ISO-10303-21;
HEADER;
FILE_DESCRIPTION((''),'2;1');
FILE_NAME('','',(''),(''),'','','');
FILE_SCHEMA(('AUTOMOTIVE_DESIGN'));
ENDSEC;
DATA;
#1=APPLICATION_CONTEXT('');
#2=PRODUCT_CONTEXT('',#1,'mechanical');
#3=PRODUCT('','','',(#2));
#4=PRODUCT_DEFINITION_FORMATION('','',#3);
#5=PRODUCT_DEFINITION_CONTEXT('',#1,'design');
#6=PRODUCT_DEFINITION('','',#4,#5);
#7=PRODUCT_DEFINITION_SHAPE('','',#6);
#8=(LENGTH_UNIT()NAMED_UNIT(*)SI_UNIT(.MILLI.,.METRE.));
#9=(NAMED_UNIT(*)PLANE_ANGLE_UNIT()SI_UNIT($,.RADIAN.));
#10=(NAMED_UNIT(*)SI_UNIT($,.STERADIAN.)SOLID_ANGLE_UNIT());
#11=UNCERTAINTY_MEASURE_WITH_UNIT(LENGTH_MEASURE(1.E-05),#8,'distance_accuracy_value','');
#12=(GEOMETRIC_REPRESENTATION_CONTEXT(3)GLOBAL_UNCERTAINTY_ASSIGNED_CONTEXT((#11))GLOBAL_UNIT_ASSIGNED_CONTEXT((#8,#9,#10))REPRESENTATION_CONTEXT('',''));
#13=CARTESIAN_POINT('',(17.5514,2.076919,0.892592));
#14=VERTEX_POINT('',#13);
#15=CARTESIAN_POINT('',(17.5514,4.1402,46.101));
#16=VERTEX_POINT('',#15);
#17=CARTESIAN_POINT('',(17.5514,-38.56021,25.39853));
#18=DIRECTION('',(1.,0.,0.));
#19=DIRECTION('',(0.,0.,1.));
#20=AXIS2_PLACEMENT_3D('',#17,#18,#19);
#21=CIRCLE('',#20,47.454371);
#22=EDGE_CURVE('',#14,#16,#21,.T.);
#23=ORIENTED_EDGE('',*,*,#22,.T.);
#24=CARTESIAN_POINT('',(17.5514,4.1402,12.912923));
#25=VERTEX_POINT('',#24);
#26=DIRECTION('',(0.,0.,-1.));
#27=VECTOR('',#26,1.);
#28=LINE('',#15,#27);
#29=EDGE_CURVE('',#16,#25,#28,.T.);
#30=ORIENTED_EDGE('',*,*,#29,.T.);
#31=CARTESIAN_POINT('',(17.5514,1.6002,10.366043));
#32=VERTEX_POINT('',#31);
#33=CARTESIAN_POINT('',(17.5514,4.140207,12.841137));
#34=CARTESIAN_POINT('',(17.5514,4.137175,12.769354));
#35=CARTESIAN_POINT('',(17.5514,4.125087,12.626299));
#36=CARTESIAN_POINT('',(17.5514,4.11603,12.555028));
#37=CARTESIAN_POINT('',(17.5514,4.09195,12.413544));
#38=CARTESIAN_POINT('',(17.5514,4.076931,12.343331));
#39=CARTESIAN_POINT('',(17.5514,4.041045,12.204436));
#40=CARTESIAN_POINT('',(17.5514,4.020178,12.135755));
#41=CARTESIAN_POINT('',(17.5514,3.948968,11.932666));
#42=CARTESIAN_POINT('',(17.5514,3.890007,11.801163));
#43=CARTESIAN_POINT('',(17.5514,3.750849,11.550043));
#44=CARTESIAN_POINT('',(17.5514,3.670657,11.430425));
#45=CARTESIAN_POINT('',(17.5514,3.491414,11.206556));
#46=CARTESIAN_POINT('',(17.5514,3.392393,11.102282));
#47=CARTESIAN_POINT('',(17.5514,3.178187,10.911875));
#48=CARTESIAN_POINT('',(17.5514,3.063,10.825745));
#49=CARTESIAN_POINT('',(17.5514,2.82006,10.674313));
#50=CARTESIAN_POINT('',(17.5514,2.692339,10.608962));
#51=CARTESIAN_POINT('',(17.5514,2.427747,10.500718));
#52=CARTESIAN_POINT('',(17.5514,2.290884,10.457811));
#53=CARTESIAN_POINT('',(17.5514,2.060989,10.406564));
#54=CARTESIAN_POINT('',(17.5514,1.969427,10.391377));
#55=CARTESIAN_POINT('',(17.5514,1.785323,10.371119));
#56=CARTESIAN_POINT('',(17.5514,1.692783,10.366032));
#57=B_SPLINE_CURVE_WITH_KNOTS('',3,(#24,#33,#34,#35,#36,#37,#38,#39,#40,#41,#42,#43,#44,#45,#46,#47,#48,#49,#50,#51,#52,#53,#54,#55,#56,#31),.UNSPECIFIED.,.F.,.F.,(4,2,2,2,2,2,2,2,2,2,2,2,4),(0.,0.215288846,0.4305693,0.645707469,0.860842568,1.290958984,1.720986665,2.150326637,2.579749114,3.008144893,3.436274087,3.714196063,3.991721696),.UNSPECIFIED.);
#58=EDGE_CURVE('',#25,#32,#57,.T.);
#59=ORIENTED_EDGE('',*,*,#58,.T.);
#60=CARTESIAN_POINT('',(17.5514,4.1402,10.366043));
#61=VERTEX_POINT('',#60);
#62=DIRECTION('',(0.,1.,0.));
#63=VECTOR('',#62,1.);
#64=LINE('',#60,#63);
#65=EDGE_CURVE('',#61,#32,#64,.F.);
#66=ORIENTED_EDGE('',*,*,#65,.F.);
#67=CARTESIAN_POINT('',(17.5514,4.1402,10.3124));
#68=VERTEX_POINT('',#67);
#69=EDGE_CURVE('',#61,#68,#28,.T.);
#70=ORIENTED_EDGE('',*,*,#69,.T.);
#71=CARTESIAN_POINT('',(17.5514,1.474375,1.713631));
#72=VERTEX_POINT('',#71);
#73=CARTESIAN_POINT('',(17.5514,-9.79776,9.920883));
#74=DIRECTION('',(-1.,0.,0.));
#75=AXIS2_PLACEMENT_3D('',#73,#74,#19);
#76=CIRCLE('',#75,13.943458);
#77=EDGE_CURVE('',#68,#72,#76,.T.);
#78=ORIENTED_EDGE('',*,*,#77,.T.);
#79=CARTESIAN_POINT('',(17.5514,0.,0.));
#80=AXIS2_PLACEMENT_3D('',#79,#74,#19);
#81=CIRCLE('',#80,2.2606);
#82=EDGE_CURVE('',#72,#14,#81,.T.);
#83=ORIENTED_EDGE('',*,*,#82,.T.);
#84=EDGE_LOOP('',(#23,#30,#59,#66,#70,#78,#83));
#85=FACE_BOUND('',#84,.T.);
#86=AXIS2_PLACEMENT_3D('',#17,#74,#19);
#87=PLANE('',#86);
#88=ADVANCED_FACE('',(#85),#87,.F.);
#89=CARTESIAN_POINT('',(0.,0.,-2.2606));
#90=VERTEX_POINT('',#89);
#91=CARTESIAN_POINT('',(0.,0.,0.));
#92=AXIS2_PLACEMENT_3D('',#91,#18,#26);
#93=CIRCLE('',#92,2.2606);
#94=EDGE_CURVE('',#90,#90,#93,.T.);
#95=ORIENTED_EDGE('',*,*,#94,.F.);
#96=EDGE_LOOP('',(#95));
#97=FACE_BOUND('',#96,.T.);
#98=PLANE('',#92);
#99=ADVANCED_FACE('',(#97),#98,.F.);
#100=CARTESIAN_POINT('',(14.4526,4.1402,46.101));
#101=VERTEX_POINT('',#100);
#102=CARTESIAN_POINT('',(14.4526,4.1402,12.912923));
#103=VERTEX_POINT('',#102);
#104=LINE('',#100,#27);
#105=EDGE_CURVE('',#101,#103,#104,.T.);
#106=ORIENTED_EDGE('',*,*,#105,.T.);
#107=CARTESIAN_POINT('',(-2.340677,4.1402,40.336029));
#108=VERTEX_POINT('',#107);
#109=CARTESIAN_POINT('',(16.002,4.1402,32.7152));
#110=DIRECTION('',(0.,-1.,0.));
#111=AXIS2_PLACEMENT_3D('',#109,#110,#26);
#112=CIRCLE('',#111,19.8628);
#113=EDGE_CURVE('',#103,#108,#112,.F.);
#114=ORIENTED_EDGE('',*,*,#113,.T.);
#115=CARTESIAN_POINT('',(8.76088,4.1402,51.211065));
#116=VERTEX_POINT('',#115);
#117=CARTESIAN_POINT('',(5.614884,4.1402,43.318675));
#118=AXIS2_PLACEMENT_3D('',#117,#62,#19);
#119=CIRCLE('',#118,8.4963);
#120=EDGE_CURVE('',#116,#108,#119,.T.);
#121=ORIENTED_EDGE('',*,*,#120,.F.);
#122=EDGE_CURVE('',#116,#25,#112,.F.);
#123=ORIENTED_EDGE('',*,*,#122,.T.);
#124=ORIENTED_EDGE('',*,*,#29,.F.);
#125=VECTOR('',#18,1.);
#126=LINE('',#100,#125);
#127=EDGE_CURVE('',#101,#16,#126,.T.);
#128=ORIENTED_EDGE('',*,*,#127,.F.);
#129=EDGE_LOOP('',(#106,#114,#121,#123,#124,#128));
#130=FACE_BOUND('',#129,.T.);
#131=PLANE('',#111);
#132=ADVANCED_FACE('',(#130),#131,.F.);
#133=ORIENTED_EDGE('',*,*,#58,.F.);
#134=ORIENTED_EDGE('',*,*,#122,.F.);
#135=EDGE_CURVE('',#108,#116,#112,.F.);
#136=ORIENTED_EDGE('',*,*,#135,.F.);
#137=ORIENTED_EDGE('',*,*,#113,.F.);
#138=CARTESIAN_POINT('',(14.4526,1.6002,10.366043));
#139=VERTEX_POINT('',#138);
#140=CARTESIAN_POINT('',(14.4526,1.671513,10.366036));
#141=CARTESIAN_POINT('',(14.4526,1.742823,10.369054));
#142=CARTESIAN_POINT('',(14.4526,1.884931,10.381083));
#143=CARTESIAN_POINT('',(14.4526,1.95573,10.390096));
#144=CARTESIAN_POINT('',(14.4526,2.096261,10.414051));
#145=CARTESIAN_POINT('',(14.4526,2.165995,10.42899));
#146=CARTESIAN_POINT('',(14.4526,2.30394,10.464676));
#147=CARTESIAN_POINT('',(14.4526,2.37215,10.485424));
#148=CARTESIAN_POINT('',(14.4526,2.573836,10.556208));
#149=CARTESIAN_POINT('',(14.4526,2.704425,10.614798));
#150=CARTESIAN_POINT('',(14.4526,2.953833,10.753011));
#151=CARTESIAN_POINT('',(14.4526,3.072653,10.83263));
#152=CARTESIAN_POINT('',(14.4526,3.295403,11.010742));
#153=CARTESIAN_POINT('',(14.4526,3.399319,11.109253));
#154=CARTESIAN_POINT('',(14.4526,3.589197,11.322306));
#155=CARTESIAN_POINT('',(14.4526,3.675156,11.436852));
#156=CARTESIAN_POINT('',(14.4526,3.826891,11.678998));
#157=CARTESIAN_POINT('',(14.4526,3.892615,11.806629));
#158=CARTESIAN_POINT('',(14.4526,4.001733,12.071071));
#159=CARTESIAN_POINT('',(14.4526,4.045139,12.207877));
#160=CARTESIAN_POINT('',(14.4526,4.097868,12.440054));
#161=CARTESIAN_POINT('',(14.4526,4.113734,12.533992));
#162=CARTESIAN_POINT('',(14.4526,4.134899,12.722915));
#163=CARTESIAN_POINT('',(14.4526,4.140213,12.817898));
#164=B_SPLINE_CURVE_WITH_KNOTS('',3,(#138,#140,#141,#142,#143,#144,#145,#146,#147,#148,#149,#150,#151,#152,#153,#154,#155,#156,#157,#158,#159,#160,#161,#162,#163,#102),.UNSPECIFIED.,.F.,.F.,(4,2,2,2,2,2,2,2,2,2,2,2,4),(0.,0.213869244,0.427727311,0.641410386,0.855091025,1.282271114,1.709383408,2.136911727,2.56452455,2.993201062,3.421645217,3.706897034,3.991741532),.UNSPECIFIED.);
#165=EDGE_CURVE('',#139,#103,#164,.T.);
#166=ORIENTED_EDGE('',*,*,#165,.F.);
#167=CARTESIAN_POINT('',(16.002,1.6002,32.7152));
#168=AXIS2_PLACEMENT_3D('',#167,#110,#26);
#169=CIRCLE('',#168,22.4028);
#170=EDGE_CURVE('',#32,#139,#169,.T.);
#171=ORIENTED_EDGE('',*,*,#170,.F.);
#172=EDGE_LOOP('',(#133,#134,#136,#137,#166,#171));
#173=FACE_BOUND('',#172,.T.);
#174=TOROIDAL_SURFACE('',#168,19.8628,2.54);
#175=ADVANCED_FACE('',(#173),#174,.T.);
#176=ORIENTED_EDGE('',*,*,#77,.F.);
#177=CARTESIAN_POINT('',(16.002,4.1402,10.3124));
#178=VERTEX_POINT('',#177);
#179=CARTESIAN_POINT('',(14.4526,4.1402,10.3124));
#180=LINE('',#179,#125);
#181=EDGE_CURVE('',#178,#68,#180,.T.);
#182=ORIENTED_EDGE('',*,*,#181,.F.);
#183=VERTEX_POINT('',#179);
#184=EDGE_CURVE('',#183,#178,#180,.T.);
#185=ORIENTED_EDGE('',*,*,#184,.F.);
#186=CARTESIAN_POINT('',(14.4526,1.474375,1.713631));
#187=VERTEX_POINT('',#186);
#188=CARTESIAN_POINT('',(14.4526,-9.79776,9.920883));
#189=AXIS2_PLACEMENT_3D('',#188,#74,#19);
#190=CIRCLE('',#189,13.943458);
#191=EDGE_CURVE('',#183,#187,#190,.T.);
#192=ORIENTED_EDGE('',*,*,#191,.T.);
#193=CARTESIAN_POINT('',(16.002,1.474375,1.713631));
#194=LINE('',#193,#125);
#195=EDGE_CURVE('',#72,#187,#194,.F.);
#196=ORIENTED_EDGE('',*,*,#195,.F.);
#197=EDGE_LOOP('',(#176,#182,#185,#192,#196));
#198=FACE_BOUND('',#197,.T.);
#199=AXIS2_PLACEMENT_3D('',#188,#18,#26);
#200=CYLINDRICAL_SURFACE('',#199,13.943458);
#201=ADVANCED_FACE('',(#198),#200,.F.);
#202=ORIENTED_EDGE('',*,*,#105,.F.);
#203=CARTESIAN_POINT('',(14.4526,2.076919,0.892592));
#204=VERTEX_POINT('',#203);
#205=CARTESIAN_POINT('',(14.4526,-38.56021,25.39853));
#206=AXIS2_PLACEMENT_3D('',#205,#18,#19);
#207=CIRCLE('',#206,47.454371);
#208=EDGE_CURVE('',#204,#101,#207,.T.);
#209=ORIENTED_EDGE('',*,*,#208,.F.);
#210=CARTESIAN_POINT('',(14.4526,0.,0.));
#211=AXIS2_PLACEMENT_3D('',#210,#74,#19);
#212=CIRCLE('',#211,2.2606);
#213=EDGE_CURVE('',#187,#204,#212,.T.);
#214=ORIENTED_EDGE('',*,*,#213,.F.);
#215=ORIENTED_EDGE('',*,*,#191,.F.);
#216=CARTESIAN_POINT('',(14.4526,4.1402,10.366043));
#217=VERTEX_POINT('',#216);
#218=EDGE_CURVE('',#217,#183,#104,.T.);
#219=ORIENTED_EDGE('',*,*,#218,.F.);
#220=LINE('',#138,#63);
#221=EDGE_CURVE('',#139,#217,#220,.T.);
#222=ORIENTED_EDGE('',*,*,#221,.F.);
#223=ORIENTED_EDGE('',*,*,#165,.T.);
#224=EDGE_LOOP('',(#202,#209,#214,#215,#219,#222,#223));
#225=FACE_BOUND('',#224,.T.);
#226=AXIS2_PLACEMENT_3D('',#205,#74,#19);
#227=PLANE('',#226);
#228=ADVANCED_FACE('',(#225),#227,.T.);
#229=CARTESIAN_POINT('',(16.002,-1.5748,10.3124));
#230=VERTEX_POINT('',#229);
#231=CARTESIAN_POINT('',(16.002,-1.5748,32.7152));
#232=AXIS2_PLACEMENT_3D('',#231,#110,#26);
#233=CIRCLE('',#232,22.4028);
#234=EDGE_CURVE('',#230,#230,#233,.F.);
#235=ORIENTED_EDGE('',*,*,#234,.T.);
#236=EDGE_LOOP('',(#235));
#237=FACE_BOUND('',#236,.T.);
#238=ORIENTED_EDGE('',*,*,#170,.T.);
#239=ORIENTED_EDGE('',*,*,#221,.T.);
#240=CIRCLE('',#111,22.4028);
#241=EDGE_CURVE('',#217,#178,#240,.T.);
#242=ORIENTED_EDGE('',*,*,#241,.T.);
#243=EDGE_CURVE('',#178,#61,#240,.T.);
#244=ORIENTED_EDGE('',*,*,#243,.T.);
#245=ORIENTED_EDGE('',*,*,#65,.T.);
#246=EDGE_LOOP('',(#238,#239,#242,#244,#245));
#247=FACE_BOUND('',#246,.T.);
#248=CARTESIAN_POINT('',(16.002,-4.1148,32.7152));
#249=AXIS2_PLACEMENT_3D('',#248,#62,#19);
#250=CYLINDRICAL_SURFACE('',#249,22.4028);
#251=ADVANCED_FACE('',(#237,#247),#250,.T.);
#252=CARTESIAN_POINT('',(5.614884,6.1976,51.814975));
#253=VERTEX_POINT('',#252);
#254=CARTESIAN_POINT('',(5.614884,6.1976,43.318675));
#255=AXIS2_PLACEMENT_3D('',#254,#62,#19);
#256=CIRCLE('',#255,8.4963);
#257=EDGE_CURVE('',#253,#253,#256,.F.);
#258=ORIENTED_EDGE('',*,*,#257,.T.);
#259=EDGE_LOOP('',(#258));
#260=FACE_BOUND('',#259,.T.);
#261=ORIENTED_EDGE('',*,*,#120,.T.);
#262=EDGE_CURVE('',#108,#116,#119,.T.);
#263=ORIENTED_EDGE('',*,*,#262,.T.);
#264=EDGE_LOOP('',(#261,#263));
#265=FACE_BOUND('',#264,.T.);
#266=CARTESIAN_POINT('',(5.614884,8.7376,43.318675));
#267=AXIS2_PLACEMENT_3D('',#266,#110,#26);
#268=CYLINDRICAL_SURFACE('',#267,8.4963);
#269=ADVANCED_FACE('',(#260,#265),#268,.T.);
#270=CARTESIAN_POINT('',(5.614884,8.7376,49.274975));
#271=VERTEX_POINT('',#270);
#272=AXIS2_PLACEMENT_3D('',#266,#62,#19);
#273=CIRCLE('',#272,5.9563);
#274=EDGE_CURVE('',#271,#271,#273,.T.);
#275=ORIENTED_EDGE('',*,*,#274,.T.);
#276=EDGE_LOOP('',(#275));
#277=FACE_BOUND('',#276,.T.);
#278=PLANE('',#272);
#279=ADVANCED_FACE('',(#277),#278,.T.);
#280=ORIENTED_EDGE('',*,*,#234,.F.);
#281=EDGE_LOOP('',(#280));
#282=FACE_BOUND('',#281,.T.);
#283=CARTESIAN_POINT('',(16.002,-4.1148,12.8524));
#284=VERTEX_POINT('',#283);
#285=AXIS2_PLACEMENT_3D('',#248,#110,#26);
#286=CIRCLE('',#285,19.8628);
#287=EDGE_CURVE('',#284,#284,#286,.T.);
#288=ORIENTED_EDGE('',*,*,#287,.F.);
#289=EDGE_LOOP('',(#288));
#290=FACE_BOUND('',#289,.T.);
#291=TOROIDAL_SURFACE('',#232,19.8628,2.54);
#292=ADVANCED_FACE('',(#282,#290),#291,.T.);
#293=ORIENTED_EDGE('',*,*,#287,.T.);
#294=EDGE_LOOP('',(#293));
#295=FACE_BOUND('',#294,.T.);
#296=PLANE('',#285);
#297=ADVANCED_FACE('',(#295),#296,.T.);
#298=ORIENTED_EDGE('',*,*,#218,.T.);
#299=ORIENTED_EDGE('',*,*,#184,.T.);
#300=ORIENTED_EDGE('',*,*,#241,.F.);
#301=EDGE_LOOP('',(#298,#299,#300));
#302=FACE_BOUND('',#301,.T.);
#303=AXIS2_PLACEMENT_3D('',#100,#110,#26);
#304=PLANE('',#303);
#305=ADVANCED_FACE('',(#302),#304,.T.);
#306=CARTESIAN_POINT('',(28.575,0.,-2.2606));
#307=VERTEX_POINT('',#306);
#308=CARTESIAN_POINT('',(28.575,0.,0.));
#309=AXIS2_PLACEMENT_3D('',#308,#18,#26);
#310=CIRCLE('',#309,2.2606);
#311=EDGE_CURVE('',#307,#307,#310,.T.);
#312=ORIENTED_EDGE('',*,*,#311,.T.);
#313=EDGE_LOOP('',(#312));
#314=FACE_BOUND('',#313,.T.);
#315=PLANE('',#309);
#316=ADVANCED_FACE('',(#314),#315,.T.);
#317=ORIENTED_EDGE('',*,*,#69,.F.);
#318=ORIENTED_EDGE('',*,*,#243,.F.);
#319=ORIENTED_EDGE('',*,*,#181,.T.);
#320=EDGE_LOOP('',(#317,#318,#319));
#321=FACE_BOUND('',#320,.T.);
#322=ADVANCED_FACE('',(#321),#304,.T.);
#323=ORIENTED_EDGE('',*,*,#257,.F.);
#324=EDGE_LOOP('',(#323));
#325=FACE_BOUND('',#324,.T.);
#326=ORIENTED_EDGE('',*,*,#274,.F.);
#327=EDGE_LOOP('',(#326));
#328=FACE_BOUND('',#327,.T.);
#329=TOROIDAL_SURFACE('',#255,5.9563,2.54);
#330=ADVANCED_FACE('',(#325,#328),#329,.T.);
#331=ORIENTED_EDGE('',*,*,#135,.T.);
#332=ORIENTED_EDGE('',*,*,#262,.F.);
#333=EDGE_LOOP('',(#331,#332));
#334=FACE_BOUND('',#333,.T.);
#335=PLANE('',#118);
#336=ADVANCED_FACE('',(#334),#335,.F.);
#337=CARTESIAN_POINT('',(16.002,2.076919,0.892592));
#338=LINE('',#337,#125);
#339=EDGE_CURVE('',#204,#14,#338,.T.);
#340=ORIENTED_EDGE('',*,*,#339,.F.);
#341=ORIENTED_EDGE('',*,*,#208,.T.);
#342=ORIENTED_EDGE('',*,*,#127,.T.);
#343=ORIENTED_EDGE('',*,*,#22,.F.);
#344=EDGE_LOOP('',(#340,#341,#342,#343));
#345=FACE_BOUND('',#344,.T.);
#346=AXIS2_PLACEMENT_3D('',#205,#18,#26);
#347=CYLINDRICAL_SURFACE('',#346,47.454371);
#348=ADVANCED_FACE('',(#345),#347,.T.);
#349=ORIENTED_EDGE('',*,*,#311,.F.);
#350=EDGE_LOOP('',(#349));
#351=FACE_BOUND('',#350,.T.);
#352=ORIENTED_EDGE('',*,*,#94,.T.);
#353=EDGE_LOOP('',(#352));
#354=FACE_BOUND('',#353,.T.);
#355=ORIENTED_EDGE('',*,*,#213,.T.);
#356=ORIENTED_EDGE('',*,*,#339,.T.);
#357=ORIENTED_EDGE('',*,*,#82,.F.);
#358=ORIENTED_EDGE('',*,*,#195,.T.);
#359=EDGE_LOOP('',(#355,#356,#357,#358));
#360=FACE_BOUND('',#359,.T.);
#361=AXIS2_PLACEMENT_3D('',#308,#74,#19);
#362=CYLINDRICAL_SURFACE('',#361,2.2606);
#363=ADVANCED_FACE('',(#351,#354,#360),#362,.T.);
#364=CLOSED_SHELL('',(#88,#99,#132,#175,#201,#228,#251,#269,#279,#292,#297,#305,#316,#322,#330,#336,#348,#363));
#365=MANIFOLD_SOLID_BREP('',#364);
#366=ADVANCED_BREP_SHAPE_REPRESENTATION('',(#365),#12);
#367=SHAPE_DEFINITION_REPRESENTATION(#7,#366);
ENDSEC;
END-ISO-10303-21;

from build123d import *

# Parameters (mm, degrees)
SKETCH1_R           = 2.2606
BOSS_EXTRUDE1_DEPTH = 28.575
BOSS_EXTRUDE2_DEPTH = 3.0988
SKETCH3_R           = 22.4028
BOSS_EXTRUDE3_DEPTH = 8.255
FILLET1_R           = 2.54
SKETCH4_R           = 8.4963
BOSS_EXTRUDE4_DEPTH = 4.5974
FILLET2_R           = 2.54


with BuildPart() as part:
    # Sketch1 → Boss-Extrude1 (new body)
    with BuildSketch(Plane(origin=(0, 0, 0), x_dir=(0, 0, -1), z_dir=(1, 0, 0))):
        Circle(SKETCH1_R)
    extrude(amount=BOSS_EXTRUDE1_DEPTH)

    # Sketch2 → Boss-Extrude2 (add)
    with BuildSketch(Plane(origin=(17.5514, 0, 0), x_dir=(0, 0, -1), z_dir=(1, 0, 0))):
        with BuildLine():
            Line((-46.101, 4.1402), (-10.3124, 4.1402))
            ThreePointArc((-10.3124, 4.1402), (-4.725931778, 3.141811032), (0, 0))
            Line((0, 0), (2.2606, 0))
            ThreePointArc((2.2606, 0), (-21.350803051, 8.721215285), (-46.101, 4.1402))
        make_face()
    extrude(amount=-BOSS_EXTRUDE2_DEPTH)

    # Sketch3 → Boss-Extrude3 (add)
    with BuildSketch(Plane.XZ.offset(-4.1402)):
        with Locations(Location((16.002, 32.7152, 0), (0, 0, 270))):
            Circle(SKETCH3_R)
    extrude(amount=BOSS_EXTRUDE3_DEPTH)

    # Fillet1
    fillet1_edges = [part.edges().sort_by_distance(p)[0] for p in [
        (16.002, 4.1402, 55.118),
        (16.002, -4.1148, 55.118),
    ]]
    fillet(fillet1_edges, radius=FILLET1_R)

    # Sketch4 → Boss-Extrude4 (add)
    with BuildSketch(Plane(origin=(0, 4.1402, 0), x_dir=(1, 0, 0), z_dir=(0, 1, 0))):
        with Locations(Location((5.61488389, -43.318674516, 0), (0, 0, 159.448311982))):
            Circle(SKETCH4_R)
    extrude(amount=BOSS_EXTRUDE4_DEPTH)

    # Fillet2
    fillet2_edges = [part.edges().sort_by_distance(p)[0] for p in [
        (13.570444327, 8.7376, 46.301319621),
    ]]
    fillet(fillet2_edges, radius=FILLET2_R)


solid = part.part
